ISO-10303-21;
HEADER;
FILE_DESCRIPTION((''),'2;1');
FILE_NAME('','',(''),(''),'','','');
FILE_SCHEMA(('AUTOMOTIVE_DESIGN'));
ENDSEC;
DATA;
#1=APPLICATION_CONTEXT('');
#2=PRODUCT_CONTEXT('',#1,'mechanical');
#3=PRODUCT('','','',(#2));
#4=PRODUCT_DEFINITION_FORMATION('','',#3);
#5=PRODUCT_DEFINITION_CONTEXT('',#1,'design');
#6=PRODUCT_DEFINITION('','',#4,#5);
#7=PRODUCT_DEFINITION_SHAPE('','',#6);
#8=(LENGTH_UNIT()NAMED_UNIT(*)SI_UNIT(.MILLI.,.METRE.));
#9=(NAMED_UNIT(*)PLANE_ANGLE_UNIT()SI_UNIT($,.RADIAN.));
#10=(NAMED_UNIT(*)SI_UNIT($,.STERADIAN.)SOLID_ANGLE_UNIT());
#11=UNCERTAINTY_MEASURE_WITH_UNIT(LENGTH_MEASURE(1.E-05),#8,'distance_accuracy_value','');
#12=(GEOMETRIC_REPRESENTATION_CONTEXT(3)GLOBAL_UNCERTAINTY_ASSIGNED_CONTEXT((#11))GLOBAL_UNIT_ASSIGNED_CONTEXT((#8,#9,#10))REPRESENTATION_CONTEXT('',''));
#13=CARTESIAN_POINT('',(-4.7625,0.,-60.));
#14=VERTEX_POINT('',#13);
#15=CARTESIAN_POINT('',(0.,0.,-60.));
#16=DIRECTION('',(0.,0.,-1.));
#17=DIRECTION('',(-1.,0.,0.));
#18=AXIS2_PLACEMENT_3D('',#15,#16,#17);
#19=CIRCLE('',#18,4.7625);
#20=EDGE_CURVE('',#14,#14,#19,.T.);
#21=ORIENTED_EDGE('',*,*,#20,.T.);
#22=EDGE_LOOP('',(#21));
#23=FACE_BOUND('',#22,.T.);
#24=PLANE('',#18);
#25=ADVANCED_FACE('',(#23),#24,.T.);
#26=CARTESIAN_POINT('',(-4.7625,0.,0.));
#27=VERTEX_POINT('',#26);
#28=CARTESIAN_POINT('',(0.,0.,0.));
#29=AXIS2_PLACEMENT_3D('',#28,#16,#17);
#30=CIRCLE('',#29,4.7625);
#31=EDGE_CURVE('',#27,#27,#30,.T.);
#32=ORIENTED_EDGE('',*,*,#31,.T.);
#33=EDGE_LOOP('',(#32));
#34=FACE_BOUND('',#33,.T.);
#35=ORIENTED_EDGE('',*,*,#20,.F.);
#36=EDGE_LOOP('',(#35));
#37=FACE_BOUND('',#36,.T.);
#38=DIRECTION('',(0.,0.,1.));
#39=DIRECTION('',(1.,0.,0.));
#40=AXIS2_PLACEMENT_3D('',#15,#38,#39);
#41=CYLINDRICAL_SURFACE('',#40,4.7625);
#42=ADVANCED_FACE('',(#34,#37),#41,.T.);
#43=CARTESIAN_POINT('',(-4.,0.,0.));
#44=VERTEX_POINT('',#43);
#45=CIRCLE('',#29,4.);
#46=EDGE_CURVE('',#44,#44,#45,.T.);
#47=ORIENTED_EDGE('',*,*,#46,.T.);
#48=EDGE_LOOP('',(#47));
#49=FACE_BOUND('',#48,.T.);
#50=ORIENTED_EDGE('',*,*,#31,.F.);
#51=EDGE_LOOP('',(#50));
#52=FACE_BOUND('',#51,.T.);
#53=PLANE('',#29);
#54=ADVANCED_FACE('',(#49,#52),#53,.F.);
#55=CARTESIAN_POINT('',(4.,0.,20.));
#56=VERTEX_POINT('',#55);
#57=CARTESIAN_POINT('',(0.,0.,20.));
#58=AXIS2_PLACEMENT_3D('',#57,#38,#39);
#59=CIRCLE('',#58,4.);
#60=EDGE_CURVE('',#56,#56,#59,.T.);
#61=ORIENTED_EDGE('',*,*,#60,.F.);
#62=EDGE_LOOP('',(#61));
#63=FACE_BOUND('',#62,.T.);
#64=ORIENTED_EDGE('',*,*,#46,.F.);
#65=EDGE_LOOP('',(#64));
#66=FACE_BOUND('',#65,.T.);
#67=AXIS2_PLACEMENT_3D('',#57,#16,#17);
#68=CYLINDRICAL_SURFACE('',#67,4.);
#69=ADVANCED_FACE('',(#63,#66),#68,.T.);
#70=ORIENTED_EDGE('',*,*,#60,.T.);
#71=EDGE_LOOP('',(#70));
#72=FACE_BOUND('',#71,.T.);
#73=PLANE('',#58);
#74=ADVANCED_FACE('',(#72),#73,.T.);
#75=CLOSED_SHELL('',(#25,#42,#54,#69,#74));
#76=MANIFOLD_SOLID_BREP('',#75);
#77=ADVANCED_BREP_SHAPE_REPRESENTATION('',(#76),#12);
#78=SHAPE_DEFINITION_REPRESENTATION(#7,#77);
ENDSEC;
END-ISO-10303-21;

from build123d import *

# Parameters (mm, degrees)
ESBO_O1_R                = 4
RESSALTO_EXTRUS_O1_DEPTH = 20
ESBO_O2_R                = 4.7625
RESSALTO_EXTRUS_O2_DEPTH = 60


with BuildPart() as part:
    # Esboço1 → Ressalto-extrusão1 (new body)
    with BuildSketch(Plane.XY):
        Circle(ESBO_O1_R)
    extrude(amount=RESSALTO_EXTRUS_O1_DEPTH)

    # Esboço2 → Ressalto-extrusão2 (add)
    with BuildSketch(Plane(origin=(0, 0, 0), x_dir=(-1, 0, 0), z_dir=(0, 0, -1))):
        Circle(ESBO_O2_R)
    extrude(amount=RESSALTO_EXTRUS_O2_DEPTH)


solid = part.part
